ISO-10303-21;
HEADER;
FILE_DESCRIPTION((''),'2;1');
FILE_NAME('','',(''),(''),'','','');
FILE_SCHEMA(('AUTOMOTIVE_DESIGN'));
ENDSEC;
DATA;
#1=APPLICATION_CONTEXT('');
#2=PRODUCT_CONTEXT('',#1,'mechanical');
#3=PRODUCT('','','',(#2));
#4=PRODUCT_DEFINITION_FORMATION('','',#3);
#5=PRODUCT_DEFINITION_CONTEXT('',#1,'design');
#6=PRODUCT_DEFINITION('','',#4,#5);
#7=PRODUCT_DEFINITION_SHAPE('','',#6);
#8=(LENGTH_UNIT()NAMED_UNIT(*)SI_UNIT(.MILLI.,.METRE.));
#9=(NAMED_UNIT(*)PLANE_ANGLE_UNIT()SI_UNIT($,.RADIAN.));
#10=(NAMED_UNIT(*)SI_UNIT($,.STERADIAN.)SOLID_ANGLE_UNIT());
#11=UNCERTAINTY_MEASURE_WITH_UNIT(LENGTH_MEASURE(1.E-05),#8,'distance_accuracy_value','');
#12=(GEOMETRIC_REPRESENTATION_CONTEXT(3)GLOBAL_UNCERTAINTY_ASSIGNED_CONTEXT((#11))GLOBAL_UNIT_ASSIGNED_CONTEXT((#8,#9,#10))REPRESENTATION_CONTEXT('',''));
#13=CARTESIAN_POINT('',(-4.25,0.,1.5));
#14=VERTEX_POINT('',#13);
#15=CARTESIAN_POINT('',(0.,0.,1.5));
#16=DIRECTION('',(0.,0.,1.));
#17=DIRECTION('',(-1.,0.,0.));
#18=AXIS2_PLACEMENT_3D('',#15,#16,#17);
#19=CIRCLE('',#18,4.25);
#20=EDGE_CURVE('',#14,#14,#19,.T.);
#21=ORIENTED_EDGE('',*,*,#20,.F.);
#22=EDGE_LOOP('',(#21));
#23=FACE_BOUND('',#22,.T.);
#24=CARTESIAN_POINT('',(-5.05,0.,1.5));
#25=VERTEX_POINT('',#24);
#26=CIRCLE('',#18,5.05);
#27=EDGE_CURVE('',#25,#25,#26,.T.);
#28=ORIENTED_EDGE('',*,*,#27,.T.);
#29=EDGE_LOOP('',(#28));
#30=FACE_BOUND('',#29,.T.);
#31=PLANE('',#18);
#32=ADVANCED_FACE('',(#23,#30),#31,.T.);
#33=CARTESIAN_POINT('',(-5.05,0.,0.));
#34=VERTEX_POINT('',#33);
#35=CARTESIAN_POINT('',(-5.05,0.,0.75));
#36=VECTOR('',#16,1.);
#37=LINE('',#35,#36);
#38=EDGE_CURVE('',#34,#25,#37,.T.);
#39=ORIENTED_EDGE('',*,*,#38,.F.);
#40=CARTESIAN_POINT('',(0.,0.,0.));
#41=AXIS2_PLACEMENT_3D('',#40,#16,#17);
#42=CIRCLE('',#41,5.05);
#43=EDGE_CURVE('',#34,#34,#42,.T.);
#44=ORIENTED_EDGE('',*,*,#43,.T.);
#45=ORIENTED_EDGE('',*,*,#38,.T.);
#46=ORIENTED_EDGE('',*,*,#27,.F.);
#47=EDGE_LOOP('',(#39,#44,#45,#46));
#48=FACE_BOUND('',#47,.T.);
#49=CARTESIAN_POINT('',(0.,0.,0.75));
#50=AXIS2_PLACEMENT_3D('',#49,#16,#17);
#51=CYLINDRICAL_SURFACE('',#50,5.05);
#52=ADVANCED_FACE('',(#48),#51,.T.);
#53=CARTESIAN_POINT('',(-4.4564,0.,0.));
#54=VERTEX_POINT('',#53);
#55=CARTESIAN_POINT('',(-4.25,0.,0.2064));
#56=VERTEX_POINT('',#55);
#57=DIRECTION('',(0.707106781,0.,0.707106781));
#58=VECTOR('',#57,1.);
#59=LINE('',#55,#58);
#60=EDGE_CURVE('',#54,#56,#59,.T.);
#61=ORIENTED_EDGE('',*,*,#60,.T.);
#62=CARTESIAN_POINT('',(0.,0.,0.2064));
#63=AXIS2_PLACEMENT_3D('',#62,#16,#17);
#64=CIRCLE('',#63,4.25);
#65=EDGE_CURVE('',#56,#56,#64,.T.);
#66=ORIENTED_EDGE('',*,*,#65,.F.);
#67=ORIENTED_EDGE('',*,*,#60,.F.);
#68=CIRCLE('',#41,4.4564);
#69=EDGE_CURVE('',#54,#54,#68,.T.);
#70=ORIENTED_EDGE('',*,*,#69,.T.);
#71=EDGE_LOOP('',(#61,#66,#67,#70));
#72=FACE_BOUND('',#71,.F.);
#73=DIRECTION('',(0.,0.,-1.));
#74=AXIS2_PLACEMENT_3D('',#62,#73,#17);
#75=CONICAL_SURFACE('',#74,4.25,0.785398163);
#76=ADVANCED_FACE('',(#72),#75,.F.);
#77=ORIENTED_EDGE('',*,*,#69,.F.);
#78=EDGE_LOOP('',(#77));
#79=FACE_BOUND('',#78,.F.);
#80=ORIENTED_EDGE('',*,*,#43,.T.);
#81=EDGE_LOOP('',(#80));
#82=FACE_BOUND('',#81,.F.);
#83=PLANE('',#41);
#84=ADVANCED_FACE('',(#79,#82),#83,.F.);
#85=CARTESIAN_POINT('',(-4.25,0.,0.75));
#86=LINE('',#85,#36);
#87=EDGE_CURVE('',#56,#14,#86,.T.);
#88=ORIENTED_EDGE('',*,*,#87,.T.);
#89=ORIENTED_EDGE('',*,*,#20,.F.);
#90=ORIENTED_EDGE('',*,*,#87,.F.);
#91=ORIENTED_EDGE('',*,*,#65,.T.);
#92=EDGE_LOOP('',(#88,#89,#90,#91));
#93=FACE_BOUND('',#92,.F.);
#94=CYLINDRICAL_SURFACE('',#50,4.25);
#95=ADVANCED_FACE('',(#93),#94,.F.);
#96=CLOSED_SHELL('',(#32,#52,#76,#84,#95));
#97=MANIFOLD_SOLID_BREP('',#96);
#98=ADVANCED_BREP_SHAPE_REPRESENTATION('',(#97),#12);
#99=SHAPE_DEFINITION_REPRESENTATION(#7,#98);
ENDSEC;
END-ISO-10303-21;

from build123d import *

# Parameters (mm, degrees)
F0_W    = 0.8
F0_H    = 1.5
F2_SIZE = 0.2064


with BuildPart() as f1:
    # F0 (on Front) → F1 (revolve)
    with BuildSketch(Plane.XZ):
        with Locations((-4.65, 0.75)):
            Rectangle(F0_W, F0_H)
    revolve(axis=Axis((0, 0, 2.520303), (0, 0, 1)))

    # F2
    f2_edges = [f1.edges().sort_by_distance(p)[0] for p in [
        (4.25, 0, 0),
    ]]
    chamfer(f2_edges, length=F2_SIZE)


solid = f1.part
